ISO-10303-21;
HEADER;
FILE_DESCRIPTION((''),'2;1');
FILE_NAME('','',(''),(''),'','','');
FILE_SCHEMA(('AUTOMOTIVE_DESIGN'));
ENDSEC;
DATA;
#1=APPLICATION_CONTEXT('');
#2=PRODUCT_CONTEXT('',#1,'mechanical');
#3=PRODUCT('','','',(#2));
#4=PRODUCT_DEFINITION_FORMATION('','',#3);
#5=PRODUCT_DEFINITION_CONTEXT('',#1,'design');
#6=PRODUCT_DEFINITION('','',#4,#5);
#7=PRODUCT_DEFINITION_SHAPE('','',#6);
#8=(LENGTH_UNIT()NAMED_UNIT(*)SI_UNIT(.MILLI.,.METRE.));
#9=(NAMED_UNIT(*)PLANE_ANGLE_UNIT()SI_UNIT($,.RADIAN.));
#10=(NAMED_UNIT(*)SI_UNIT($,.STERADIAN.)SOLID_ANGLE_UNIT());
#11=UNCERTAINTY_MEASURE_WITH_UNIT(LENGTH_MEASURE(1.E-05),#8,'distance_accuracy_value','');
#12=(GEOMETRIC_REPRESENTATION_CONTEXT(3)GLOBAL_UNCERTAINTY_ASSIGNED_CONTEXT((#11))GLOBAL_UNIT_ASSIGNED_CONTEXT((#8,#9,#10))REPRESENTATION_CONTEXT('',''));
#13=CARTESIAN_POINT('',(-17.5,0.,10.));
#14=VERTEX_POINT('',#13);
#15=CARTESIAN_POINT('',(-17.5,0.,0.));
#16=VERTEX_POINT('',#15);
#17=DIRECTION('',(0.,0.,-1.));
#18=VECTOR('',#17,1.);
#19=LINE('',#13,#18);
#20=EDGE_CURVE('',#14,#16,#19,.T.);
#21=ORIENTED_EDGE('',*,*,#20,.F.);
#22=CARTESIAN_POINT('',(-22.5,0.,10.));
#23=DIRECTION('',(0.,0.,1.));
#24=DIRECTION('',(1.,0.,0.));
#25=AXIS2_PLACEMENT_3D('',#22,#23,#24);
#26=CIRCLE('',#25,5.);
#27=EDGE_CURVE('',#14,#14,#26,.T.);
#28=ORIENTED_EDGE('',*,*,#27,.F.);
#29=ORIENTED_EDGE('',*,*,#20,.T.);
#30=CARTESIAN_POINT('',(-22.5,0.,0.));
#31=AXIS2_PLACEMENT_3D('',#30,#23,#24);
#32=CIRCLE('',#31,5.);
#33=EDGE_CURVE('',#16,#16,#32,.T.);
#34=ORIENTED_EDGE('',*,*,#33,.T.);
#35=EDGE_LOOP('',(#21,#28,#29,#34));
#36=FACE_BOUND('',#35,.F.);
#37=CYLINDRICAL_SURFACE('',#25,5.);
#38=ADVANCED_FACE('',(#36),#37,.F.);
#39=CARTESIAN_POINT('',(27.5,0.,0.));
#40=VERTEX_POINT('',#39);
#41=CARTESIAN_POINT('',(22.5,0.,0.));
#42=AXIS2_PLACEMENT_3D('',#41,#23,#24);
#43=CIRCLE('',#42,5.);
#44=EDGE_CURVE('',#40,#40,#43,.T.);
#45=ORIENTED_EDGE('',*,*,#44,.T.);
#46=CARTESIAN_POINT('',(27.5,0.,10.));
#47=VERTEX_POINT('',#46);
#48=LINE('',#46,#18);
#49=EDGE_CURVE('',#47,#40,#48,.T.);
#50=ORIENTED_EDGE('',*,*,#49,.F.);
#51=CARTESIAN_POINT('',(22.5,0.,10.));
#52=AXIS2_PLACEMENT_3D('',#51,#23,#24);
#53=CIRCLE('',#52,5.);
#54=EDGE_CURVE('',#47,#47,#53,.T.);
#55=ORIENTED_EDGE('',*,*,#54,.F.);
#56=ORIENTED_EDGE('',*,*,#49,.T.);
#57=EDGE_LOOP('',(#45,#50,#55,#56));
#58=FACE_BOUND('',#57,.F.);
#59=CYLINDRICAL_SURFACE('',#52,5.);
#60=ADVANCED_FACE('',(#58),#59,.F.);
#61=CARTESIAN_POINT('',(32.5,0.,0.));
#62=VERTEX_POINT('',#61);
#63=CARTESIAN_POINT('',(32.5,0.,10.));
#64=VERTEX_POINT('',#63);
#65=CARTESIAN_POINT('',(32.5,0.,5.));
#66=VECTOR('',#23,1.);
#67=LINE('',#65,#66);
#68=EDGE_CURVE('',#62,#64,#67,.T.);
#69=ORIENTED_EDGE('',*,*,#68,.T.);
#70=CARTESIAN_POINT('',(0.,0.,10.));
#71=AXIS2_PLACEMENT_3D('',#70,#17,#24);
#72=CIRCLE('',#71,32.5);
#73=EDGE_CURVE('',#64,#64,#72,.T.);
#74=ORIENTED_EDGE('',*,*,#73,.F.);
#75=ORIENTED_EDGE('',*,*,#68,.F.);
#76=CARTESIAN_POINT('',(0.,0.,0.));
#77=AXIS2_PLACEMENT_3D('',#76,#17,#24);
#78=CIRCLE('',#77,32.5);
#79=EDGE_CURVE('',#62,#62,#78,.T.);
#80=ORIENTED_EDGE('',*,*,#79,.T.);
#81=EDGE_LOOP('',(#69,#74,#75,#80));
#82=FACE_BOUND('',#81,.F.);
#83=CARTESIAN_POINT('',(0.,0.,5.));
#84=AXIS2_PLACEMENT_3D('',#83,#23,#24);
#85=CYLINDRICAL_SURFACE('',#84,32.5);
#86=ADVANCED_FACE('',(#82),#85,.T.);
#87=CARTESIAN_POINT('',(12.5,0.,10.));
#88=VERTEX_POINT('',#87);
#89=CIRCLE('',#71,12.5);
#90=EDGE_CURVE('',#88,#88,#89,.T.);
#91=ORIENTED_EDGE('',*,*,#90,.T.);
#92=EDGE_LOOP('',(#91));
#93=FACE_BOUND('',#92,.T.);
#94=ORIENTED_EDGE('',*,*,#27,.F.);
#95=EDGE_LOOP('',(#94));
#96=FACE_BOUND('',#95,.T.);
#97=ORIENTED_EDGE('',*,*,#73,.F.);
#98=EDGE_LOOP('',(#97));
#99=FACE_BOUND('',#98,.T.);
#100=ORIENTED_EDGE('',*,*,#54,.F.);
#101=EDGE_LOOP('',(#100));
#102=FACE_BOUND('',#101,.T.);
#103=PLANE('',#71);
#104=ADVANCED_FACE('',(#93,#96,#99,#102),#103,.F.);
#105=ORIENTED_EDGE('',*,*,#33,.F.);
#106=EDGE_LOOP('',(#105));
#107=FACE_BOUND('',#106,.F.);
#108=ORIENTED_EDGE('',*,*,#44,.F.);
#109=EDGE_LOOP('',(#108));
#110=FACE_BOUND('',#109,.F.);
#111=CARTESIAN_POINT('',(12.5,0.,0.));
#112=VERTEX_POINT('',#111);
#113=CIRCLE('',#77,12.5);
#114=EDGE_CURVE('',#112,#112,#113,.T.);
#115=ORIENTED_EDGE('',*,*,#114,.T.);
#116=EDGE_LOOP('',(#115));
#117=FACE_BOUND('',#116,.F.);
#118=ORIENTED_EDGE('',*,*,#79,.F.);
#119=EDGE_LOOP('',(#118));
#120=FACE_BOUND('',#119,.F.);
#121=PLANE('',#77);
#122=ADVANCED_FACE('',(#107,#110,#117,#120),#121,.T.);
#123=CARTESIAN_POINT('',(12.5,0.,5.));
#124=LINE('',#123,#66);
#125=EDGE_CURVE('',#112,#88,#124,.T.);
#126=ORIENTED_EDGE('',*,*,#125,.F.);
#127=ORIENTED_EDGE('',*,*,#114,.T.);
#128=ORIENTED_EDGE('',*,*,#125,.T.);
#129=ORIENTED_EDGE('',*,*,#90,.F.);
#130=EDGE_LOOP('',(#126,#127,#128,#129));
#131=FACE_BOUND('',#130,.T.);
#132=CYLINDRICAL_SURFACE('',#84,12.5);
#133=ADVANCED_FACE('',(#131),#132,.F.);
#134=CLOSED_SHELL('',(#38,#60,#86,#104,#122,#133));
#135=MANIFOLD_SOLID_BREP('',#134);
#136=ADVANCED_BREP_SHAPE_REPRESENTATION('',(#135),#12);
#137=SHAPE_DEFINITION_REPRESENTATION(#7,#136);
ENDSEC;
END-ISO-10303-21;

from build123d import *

# Parameters (mm, degrees)
F0_W     = 20
F0_H     = 10
F2_R     = 5
F3_DEPTH = 25


with BuildPart() as f1:
    # F0 (on Front) → F1 (revolve)
    with BuildSketch(Plane.XZ):
        with Locations((22.5, 5)):
            Rectangle(F0_W, F0_H)
    revolve(axis=Axis((0, 0, -0.255103), (0, 0, -1)))

    # F2 (on face) → F3 (cut)
    with BuildSketch(Plane.XY.offset(10)):
        with Locations((-22.5, 0)):
            Circle(F2_R)
        with Locations((22.5, 0)):
            Circle(F2_R)
    extrude(amount=-F3_DEPTH, mode=Mode.SUBTRACT)


solid = f1.part
